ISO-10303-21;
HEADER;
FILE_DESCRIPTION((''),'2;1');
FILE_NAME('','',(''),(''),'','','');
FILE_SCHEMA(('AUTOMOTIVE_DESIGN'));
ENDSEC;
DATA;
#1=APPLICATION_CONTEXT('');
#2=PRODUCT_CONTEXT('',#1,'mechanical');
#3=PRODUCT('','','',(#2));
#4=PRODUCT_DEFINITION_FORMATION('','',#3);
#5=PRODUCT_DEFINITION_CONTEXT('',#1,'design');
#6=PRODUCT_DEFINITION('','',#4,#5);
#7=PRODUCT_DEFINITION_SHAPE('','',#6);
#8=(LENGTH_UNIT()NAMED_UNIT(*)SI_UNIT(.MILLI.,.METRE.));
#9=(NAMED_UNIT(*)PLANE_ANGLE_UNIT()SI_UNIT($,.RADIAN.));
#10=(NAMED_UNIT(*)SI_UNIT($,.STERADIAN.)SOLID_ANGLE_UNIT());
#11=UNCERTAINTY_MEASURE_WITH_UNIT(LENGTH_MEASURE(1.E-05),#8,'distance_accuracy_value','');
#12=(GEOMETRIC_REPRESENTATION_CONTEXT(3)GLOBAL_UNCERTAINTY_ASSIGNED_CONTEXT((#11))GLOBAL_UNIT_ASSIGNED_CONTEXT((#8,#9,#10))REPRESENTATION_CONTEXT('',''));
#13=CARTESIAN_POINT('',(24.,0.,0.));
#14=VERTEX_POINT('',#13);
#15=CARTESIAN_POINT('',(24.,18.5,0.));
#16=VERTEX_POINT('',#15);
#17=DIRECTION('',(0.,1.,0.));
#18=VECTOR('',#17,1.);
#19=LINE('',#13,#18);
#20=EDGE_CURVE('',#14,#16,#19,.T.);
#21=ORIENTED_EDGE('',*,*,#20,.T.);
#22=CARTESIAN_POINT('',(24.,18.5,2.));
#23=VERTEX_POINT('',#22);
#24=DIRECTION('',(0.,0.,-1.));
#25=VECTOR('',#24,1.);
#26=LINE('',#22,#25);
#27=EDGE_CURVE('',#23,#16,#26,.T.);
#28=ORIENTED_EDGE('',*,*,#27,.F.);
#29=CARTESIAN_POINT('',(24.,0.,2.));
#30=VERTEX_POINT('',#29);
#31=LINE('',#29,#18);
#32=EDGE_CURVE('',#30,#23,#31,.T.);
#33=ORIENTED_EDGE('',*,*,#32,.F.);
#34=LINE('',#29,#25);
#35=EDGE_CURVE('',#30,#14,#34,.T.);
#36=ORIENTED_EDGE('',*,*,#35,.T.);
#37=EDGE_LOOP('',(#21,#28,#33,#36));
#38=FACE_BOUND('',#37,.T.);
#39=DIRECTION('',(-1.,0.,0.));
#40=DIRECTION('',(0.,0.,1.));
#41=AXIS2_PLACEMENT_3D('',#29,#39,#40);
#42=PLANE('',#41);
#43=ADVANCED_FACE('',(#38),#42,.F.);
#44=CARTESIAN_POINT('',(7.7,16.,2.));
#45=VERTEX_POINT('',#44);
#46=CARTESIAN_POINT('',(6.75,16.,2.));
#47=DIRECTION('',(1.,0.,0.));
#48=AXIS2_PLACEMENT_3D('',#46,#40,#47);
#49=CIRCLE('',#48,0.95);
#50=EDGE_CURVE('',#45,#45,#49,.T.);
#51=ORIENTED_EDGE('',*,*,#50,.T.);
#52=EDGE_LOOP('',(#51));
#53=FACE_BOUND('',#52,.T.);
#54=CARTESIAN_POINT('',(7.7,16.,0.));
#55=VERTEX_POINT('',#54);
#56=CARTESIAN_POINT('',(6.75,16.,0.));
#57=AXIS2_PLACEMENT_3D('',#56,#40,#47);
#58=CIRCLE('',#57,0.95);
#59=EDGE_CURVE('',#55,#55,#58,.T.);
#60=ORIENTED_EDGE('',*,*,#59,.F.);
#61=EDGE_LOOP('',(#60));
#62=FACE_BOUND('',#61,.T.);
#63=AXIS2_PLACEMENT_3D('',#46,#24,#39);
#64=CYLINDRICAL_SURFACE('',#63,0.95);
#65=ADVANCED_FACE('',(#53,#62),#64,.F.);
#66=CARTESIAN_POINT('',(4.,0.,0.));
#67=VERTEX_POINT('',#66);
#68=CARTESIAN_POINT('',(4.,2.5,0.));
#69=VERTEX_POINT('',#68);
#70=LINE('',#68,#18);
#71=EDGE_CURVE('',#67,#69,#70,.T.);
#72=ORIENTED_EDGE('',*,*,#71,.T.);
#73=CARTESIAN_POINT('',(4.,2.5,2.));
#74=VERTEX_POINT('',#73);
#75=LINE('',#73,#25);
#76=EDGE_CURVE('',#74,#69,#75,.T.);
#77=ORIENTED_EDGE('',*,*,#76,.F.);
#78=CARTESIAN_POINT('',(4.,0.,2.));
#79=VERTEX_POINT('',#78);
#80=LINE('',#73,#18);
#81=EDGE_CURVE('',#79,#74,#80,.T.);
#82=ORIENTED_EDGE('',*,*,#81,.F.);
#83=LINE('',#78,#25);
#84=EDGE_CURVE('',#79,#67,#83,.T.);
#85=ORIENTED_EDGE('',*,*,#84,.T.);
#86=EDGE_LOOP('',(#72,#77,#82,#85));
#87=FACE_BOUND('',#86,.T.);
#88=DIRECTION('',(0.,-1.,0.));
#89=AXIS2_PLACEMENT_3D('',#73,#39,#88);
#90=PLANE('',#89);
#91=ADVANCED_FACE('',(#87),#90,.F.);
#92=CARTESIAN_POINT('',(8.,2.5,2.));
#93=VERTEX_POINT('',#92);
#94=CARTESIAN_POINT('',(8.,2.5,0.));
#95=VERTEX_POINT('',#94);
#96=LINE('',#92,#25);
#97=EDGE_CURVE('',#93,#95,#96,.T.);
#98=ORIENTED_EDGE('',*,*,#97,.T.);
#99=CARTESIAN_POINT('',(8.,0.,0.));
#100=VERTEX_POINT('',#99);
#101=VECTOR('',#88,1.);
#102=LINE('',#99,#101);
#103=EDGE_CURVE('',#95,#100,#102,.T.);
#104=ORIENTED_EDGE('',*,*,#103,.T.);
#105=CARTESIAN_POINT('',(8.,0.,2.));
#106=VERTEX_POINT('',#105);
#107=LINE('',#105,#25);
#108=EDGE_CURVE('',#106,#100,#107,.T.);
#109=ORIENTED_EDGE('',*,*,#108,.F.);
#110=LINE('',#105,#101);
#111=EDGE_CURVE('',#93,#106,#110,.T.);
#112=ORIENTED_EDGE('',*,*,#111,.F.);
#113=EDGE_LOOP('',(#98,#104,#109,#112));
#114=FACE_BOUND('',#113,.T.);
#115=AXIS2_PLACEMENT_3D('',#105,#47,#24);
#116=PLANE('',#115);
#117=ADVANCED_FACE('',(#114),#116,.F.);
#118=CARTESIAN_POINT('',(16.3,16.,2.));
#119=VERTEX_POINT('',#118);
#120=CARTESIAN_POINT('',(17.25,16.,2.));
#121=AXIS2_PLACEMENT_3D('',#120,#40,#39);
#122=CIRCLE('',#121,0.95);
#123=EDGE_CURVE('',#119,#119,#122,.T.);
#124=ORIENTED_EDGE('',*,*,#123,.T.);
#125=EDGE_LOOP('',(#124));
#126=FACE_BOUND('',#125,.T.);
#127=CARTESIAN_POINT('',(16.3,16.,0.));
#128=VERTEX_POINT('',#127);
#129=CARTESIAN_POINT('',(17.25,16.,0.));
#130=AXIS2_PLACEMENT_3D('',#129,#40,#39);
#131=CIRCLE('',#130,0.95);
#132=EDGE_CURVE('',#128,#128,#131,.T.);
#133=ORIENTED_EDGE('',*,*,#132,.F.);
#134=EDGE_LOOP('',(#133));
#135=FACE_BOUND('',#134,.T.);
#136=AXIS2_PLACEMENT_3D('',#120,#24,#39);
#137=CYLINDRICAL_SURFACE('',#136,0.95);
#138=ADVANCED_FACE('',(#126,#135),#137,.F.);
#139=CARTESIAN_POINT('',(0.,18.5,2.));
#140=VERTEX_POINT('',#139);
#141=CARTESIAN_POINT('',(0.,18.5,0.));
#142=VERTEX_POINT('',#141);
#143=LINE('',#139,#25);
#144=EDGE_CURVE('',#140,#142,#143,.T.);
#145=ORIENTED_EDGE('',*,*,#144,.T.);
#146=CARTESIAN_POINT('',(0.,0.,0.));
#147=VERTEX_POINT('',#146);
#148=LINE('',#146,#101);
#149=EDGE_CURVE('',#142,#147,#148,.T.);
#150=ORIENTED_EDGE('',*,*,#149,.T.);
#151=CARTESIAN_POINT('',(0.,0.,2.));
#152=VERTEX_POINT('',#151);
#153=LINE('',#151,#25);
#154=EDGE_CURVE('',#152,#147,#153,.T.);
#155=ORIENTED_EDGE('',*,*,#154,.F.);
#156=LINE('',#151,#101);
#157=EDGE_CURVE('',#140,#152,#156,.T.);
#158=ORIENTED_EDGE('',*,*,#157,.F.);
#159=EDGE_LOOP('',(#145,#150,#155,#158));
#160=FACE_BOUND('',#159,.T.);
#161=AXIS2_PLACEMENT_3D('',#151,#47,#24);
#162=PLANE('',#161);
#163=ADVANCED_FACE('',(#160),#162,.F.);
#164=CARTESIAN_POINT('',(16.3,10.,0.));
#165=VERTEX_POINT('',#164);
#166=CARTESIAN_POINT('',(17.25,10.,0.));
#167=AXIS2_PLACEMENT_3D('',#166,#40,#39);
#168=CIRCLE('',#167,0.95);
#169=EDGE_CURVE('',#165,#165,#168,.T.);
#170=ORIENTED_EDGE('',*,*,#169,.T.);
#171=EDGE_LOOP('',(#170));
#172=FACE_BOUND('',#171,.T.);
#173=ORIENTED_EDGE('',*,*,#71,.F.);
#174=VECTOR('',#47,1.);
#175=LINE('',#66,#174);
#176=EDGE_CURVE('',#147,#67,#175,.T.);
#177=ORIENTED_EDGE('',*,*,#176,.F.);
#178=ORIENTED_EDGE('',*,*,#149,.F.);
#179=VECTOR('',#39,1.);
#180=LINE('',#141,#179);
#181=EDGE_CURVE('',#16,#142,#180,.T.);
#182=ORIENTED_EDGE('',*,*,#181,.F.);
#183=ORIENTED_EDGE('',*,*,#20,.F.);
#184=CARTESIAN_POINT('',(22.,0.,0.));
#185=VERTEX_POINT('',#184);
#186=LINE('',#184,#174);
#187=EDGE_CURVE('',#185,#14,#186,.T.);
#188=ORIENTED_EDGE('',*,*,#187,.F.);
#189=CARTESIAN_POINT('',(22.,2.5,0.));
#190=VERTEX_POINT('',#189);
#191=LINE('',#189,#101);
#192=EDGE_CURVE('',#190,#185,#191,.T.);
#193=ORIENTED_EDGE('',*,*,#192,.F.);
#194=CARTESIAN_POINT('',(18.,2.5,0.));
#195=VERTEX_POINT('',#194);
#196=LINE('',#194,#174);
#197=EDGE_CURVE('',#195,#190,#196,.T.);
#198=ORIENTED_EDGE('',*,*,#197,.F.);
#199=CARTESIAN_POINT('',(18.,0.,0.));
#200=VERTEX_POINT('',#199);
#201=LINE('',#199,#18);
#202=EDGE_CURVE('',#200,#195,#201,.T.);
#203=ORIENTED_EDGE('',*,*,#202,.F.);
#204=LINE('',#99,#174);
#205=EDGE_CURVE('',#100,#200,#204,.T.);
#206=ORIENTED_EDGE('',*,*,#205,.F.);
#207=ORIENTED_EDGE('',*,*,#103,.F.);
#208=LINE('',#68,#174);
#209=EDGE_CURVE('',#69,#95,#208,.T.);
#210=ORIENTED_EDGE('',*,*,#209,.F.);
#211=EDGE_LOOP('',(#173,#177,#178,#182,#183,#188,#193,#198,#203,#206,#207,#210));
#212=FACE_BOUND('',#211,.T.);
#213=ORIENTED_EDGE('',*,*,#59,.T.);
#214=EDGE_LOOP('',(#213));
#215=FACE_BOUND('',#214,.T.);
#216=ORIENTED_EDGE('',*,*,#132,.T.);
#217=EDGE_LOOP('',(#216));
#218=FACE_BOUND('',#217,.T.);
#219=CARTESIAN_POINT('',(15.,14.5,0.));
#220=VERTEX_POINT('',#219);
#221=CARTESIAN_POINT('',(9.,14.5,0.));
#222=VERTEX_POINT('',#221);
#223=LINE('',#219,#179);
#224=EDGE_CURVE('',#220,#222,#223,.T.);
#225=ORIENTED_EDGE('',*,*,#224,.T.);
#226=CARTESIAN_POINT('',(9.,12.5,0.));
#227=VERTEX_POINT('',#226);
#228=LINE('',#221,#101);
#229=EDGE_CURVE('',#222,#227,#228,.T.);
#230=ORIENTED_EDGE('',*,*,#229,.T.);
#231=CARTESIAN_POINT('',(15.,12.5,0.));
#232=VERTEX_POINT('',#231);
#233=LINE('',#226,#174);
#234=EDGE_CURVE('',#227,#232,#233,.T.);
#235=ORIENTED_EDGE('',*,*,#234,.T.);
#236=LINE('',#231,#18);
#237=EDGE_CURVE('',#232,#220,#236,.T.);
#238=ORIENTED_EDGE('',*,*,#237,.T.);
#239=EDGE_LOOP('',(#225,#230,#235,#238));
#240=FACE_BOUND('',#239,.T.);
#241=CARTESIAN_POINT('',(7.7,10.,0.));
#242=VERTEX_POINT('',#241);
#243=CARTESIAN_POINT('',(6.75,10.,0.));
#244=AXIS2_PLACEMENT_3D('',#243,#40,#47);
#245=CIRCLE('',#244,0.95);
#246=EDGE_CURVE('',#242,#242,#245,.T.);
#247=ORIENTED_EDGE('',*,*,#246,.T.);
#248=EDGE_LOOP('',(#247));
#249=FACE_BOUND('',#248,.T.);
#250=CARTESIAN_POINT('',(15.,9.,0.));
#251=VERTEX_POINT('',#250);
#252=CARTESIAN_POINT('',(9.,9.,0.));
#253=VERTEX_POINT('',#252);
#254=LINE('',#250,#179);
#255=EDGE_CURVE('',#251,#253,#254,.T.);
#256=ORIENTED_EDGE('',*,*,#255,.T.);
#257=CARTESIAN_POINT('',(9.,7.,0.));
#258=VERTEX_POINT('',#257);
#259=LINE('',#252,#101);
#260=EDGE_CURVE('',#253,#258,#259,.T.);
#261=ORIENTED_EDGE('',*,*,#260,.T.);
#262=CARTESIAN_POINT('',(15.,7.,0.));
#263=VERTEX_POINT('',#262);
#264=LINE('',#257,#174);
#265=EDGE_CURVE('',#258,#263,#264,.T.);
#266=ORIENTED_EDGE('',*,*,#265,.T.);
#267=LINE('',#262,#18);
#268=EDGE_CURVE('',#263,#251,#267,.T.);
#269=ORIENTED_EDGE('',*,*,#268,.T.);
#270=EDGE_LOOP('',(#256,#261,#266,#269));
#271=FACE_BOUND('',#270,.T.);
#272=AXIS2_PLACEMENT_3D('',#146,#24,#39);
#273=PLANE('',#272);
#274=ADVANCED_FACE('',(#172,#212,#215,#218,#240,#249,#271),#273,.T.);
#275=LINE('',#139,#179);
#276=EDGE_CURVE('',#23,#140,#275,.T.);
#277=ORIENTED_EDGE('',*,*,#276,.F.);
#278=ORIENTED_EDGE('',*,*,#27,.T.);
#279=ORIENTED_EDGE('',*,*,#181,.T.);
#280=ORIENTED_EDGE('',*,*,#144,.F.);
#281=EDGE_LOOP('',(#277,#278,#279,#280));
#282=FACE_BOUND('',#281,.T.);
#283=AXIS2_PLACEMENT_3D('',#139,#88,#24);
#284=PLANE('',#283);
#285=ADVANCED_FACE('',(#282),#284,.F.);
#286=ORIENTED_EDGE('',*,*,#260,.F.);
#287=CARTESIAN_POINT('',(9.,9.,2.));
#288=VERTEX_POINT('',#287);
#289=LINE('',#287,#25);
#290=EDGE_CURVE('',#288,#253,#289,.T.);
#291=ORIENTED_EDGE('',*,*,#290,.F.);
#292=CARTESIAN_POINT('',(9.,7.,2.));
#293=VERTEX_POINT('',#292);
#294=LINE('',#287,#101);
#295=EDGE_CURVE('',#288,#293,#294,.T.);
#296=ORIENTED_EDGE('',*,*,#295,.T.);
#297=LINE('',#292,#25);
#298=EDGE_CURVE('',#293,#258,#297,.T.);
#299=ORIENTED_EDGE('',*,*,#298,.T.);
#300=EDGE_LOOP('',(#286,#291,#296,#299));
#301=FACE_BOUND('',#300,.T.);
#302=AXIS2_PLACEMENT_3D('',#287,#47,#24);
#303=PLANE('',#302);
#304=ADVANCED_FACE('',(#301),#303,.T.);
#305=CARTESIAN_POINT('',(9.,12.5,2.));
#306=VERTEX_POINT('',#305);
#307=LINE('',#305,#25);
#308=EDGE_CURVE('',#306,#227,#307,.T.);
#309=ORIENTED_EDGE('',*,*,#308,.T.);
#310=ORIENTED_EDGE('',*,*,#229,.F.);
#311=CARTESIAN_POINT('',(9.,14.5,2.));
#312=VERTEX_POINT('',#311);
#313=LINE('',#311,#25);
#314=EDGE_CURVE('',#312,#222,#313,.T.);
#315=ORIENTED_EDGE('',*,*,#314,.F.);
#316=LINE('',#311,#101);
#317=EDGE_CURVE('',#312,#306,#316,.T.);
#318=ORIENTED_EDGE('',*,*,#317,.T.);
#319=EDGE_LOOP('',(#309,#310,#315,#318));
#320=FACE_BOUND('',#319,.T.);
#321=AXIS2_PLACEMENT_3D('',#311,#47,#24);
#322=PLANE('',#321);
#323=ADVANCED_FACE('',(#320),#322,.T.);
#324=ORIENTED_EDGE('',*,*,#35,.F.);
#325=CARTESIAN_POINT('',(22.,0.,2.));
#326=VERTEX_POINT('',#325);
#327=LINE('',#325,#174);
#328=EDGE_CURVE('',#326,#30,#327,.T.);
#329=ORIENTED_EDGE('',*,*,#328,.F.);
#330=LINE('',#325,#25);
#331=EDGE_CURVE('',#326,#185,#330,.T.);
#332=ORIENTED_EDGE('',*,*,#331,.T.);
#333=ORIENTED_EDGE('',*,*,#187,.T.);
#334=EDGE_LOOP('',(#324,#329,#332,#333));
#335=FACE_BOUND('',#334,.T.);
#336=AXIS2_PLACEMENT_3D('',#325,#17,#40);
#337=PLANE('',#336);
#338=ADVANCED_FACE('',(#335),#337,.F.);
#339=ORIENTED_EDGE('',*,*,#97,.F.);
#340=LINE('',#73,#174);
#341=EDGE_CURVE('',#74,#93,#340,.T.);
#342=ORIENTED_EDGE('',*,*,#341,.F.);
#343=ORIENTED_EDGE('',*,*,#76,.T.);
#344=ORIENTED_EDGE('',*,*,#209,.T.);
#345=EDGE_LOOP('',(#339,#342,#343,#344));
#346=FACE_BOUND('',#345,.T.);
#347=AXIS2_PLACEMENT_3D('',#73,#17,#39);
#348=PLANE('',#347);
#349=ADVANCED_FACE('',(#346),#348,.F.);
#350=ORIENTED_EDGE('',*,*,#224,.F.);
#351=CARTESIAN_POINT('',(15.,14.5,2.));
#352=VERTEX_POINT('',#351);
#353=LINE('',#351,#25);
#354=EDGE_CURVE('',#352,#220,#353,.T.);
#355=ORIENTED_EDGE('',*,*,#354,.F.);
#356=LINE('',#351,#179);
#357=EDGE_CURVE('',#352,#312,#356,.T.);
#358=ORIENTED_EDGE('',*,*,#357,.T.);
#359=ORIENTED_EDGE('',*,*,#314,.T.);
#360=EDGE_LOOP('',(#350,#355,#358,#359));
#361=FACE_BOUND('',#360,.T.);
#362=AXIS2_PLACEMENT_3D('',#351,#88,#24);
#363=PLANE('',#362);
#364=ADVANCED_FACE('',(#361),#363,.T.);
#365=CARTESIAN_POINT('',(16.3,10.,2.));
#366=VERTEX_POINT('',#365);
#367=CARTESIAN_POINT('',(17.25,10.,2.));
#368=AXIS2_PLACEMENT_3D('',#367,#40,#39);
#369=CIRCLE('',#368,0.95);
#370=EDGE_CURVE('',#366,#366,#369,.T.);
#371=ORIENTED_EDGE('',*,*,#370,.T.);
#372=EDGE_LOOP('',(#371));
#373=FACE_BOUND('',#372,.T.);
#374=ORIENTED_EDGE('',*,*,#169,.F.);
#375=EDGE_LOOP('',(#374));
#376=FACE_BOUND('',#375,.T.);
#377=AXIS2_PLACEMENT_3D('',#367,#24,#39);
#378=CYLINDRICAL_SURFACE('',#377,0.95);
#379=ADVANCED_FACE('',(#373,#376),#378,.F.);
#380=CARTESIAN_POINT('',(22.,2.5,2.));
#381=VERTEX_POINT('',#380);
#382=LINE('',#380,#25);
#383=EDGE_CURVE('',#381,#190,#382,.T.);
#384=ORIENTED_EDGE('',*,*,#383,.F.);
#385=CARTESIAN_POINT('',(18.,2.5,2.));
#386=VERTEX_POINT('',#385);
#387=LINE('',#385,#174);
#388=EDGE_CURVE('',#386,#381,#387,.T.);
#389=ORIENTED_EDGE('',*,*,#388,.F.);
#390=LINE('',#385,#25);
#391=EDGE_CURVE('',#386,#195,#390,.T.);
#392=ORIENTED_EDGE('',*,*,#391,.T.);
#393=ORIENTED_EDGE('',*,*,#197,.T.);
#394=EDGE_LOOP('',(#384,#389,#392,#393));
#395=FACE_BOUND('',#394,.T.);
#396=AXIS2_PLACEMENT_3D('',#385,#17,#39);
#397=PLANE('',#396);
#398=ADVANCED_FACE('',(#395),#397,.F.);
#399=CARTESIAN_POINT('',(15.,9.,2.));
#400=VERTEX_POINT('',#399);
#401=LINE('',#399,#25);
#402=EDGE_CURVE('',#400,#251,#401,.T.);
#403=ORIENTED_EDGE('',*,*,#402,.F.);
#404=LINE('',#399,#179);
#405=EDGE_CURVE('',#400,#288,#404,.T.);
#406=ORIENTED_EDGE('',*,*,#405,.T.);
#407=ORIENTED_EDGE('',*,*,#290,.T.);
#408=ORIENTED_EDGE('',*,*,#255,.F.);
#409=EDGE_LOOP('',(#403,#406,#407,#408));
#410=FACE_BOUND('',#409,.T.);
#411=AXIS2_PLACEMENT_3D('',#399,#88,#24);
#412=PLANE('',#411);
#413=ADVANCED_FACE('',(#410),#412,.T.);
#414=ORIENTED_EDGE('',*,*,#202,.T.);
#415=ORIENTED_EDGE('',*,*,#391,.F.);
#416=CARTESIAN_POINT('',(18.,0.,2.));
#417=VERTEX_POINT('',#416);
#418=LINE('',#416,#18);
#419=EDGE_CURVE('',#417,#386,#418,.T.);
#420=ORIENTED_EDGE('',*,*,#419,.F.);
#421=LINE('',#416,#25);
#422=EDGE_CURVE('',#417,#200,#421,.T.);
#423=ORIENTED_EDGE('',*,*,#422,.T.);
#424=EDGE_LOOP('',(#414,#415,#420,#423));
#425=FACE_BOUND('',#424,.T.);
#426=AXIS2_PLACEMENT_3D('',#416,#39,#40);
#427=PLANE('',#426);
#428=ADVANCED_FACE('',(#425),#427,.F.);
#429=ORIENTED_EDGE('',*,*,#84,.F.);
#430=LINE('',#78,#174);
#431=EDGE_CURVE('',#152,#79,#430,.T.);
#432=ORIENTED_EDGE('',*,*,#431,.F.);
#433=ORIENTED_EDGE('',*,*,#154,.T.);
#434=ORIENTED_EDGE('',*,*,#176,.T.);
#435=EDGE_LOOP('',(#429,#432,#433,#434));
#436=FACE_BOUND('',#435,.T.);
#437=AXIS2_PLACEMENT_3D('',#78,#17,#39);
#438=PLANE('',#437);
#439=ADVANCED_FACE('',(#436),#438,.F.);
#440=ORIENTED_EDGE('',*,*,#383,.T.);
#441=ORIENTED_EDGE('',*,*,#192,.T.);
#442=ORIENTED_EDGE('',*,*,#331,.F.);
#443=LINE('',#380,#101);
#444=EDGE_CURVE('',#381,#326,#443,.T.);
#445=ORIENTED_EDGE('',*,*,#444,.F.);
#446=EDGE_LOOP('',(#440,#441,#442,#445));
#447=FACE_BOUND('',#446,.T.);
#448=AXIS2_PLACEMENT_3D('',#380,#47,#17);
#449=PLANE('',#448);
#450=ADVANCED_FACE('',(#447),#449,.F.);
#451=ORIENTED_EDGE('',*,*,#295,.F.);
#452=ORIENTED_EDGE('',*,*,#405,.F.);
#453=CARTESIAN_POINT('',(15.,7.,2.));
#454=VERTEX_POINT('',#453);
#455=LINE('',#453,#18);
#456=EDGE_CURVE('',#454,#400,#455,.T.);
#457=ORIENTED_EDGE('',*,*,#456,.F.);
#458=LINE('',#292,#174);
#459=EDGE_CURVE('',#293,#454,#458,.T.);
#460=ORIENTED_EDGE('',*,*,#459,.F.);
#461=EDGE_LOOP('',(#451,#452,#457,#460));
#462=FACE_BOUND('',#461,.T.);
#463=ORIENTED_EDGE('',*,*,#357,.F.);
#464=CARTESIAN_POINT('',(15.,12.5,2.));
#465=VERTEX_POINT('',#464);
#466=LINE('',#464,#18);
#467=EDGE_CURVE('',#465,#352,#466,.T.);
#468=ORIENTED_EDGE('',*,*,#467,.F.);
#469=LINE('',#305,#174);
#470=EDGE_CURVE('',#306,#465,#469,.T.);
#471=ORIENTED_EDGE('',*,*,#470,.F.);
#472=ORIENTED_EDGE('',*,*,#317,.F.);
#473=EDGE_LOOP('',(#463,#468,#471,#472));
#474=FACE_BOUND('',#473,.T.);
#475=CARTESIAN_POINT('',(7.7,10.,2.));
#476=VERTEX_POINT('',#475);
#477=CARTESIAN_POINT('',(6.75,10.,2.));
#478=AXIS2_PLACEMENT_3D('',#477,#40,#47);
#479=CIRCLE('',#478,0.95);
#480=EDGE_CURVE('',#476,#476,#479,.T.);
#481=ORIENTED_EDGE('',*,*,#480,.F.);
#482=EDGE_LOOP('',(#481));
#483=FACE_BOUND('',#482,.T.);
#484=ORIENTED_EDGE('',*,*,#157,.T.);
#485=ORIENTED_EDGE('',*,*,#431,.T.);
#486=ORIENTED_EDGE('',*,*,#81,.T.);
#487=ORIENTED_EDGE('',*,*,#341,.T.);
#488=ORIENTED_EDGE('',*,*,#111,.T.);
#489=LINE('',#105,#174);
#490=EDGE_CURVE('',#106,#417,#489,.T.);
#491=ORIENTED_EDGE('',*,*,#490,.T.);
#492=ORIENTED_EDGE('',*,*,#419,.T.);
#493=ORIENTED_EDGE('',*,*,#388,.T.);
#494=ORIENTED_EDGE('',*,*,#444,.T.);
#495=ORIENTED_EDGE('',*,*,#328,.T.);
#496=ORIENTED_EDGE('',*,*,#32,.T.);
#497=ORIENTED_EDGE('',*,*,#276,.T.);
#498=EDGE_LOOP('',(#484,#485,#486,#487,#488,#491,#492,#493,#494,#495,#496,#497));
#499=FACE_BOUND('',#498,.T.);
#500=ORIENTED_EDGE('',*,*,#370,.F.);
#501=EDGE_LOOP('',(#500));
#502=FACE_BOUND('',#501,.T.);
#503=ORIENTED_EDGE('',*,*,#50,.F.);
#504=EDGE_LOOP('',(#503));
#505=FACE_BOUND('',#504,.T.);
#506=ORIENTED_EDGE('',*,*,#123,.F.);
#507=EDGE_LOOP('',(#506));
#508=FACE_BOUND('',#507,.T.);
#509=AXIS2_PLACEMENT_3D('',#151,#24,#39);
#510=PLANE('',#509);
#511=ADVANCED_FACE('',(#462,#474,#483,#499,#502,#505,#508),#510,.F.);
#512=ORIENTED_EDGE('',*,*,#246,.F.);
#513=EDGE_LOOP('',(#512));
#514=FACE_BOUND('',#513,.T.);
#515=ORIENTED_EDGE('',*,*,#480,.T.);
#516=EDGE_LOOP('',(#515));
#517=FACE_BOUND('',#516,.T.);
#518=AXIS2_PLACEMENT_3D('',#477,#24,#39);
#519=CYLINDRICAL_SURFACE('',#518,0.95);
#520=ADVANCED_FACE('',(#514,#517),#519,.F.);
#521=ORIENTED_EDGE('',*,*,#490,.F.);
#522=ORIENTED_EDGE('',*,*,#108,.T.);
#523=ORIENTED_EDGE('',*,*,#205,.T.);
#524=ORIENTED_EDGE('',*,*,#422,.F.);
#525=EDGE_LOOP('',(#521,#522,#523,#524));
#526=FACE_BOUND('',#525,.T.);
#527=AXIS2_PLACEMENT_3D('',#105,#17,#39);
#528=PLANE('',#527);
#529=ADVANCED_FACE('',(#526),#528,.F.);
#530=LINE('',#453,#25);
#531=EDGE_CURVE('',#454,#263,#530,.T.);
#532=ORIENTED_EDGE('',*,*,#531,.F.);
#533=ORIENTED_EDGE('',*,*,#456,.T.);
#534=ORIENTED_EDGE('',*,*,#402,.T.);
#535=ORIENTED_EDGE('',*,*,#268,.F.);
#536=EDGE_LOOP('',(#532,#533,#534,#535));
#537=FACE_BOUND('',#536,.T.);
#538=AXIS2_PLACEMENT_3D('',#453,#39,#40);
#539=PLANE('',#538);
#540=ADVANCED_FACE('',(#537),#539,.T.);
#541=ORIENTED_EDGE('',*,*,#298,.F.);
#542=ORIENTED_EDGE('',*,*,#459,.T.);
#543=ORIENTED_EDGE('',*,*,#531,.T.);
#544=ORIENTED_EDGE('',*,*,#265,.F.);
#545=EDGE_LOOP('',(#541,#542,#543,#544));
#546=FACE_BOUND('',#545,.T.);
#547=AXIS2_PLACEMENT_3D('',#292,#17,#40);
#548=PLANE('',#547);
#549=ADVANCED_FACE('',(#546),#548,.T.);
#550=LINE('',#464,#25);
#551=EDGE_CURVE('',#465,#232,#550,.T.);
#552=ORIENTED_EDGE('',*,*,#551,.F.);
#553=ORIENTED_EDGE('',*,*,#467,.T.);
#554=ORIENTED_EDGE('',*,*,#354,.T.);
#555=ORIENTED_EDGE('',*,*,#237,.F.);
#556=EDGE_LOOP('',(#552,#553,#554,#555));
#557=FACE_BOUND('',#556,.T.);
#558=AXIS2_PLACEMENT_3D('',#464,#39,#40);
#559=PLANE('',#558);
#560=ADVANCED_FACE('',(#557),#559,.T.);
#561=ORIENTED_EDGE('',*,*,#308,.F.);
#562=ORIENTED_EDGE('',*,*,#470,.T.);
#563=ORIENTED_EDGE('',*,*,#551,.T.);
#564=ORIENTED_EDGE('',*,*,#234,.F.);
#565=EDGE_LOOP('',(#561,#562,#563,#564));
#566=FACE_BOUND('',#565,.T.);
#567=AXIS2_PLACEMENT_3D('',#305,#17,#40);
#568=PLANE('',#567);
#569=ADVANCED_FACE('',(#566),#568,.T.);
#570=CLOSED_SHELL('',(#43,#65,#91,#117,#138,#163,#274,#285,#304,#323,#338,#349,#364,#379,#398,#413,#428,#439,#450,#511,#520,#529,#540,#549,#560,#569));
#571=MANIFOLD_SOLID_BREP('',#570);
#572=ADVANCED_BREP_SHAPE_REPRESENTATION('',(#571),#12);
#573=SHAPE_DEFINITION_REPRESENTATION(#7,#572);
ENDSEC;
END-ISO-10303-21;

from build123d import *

# Parameters (mm, degrees)
SKETCH1_R           = 0.95
SKETCH1_W           = 6
SKETCH1_H           = 2
BOSS_EXTRUDE1_DEPTH = 2


with BuildPart() as part:
    # Sketch1 → Boss-Extrude1 (new body)
    with BuildSketch(Plane.XY):
        Polygon((4, 2.5), (8, 2.5), (8, 0), (18, 0), (18, 2.5), (22, 2.5), (22, 0), (24, 0), (24, 18.5), (0, 18.5), (0, 0), (4, 0), align=None)
        with Locations((6.75, 16)):
            Circle(SKETCH1_R, mode=Mode.SUBTRACT)
        with Locations((17.25, 10)):
            Circle(SKETCH1_R, mode=Mode.SUBTRACT)
        with Locations((17.25, 16)):
            Circle(SKETCH1_R, mode=Mode.SUBTRACT)
        with Locations((6.75, 10)):
            Circle(SKETCH1_R, mode=Mode.SUBTRACT)
        with Locations((12, 13.5)):
            Rectangle(SKETCH1_W, SKETCH1_H, mode=Mode.SUBTRACT)
        with Locations((12, 8)):
            Rectangle(SKETCH1_W, SKETCH1_H, mode=Mode.SUBTRACT)
    extrude(amount=BOSS_EXTRUDE1_DEPTH)


solid = part.part
